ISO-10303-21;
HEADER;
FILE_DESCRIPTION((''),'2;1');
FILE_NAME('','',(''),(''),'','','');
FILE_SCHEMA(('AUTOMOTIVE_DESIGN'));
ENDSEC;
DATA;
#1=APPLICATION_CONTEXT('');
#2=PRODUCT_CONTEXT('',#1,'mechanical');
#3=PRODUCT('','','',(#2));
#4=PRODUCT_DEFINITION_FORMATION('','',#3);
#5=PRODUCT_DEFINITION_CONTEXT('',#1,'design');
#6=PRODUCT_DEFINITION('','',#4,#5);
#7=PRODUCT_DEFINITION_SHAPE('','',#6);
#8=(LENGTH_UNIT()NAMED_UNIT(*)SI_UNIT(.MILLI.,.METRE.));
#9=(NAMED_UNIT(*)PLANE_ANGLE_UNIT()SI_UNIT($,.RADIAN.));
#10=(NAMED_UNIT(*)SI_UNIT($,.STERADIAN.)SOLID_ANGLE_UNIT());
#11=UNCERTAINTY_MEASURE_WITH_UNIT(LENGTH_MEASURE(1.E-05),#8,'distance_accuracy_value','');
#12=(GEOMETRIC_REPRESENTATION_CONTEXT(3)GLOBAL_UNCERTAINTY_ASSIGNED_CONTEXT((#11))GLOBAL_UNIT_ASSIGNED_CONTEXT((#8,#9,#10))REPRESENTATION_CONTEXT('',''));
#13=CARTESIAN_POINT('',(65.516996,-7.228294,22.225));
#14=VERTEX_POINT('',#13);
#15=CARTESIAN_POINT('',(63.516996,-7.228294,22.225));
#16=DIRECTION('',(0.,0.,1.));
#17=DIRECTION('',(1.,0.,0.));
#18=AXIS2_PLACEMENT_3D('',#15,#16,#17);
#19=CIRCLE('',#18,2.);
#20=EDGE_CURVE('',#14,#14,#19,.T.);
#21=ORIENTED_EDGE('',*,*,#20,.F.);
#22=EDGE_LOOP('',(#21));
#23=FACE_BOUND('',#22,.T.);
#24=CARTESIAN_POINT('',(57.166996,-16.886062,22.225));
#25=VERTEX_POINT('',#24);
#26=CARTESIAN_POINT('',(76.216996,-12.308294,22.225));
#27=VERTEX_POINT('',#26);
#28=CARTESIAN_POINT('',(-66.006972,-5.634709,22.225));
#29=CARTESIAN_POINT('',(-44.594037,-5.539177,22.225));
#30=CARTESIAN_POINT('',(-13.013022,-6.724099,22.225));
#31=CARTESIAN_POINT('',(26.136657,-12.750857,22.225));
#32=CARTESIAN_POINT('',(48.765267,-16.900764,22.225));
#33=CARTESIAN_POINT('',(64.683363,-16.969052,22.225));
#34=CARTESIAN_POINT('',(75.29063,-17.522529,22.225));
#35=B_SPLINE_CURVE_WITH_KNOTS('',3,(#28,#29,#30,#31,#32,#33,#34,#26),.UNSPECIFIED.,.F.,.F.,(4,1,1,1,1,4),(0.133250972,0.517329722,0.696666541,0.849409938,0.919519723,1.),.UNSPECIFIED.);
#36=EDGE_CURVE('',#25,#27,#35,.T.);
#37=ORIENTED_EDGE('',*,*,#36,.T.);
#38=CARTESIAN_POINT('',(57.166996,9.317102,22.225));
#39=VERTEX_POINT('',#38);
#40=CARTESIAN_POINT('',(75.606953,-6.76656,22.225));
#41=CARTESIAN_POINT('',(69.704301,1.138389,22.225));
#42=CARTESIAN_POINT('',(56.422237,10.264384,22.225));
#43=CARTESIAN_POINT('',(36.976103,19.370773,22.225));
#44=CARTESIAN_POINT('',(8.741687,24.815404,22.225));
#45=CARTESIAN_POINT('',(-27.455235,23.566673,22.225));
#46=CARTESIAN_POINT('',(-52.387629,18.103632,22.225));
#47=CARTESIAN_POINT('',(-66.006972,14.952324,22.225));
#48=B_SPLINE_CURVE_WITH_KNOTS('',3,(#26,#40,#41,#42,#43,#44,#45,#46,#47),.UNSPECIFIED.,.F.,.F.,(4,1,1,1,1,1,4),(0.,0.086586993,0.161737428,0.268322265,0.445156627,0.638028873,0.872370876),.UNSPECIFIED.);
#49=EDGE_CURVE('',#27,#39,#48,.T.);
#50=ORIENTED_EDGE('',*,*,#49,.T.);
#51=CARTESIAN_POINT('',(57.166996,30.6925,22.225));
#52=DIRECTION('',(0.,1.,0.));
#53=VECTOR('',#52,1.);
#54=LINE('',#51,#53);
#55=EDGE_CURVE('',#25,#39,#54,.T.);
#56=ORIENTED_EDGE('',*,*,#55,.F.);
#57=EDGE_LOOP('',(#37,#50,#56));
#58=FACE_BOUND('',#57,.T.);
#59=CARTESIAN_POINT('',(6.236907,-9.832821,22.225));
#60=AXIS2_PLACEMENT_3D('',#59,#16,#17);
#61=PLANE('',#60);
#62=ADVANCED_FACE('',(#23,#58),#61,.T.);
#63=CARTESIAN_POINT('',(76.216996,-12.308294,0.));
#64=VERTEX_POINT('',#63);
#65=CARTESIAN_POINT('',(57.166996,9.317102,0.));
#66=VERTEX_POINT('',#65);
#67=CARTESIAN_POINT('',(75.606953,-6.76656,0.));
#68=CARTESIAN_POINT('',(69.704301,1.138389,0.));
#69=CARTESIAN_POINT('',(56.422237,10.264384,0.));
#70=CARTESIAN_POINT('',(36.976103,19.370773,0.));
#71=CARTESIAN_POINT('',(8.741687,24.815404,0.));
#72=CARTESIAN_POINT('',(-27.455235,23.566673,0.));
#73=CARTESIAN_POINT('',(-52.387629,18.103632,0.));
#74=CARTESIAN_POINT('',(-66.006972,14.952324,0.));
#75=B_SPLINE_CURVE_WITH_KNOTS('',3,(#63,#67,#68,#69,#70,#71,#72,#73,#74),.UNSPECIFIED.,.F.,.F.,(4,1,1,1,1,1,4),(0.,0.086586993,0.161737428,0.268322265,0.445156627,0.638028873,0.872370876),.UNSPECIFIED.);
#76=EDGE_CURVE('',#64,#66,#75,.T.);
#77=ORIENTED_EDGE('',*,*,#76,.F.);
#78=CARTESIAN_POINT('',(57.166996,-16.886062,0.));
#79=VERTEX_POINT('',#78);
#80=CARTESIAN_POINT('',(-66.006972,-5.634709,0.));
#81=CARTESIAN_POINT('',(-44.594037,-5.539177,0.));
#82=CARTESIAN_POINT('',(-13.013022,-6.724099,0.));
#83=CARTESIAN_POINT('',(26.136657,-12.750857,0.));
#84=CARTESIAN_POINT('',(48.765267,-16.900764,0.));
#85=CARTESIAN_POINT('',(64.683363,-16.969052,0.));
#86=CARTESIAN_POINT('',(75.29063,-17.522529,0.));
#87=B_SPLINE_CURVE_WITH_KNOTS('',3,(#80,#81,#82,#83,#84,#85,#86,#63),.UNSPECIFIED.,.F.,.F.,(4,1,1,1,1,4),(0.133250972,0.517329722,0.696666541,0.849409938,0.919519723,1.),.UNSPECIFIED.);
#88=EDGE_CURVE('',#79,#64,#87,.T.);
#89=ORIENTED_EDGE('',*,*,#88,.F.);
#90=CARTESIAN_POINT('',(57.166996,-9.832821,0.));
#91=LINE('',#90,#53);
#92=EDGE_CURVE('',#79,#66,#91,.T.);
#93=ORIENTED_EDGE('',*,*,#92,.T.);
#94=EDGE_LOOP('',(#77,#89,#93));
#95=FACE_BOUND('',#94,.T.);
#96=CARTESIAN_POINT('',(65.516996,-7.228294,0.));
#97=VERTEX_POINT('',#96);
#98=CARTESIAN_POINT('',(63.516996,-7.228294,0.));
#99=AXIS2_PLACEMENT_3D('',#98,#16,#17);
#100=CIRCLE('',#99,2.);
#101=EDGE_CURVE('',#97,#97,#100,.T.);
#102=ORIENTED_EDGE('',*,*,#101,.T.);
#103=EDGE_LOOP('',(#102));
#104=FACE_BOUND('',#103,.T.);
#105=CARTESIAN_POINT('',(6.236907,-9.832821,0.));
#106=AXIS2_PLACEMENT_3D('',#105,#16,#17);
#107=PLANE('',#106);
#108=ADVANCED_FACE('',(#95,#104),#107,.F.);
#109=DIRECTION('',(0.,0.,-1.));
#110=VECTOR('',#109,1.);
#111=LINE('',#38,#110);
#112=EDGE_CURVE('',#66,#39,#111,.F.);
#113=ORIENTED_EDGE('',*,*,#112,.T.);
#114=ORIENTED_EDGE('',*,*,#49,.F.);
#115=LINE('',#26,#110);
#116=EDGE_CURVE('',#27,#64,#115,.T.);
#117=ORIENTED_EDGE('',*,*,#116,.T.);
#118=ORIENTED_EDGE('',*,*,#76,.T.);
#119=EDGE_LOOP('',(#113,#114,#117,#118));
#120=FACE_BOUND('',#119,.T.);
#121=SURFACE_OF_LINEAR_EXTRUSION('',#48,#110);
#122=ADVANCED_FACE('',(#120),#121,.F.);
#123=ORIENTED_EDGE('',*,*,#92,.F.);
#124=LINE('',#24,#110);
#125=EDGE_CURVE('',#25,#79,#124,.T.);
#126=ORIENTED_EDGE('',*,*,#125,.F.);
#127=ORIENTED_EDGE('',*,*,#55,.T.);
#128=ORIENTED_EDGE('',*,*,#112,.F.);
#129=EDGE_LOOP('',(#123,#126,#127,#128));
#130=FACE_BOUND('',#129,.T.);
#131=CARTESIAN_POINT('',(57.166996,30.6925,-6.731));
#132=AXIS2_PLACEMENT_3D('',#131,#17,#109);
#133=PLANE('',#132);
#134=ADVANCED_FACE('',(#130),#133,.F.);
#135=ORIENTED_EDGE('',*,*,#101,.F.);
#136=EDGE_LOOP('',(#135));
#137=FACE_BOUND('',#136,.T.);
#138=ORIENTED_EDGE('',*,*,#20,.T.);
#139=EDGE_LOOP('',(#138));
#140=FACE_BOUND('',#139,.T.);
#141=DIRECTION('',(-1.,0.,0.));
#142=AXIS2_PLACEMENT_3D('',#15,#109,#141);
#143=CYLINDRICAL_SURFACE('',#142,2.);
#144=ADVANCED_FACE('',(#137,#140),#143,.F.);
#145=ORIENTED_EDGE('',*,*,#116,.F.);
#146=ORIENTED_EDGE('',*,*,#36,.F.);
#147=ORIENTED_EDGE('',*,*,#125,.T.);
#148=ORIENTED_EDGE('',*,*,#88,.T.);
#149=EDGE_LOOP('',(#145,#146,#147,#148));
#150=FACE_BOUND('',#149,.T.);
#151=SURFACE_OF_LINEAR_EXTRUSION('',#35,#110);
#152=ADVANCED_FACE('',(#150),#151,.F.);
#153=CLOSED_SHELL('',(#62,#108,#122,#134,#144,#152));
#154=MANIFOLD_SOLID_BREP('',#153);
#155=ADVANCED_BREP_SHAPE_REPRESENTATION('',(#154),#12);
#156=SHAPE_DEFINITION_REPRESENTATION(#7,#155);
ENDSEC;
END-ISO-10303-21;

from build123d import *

# Parameters (mm, degrees)
SKETCH1_R           = 2
SKETCH1_R_2         = 2.127
BOSS_EXTRUDE1_DEPTH = 22.225
SKETCH2_W           = 134.292636257
SKETCH2_H           = 53.36276468
CUT_EXTRUDE1_DEPTH  = 28.956


with BuildPart() as part:
    # Sketch1 → Boss-Extrude1 (new body)
    with BuildSketch(Plane.XY):
        with BuildLine():
            Line((-66.006971629, 14.952323969), (-66.006971629, -5.634708623))
            add(Edge.make_bspline(
                [(-66.006971629, -5.634708623), (-44.594037188, -5.53917688), (-13.013022308, -6.724098502), (26.136656569, -12.750856754), (48.765267423, -16.900764204), (64.683362663, -16.969052393), (75.290630493, -17.522529218), (76.216996263, -12.308293591)],
                knots=[0.133250972, 0.133250972, 0.133250972, 0.133250972, 0.517329722, 0.696666541, 0.849409938, 0.919519723, 1, 1, 1, 1], degree=3))
            add(Edge.make_bspline(
                [(76.216996263, -12.308293591), (75.606952539, -6.766559658), (69.704300689, 1.138389205), (56.422236631, 10.264383598), (36.976103105, 19.370772836), (8.741687209, 24.815403957), (-27.455234983, 23.566672909), (-52.387628688, 18.103631651), (-66.006971629, 14.952323969)],
                knots=[0, 0, 0, 0, 0.086586993, 0.161737428, 0.268322265, 0.445156627, 0.638028873, 0.872370876, 0.872370876, 0.872370876, 0.872370876], degree=3))
        make_face()
        with Locations((63.516996263, -7.228293591)):
            Circle(SKETCH1_R, mode=Mode.SUBTRACT)
        with Locations((-25.383003737, 13.091706409)):
            Circle(SKETCH1_R_2, mode=Mode.SUBTRACT)
    extrude(amount=BOSS_EXTRUDE1_DEPTH)

    # Sketch2 → Cut-Extrude1 (cut)
    with BuildSketch(Plane.XY.offset(22.225)):
        with Locations((-9.979321866, 4.011118028)):
            Rectangle(SKETCH2_W, SKETCH2_H)
    extrude(amount=-CUT_EXTRUDE1_DEPTH, mode=Mode.SUBTRACT)


solid = part.part
